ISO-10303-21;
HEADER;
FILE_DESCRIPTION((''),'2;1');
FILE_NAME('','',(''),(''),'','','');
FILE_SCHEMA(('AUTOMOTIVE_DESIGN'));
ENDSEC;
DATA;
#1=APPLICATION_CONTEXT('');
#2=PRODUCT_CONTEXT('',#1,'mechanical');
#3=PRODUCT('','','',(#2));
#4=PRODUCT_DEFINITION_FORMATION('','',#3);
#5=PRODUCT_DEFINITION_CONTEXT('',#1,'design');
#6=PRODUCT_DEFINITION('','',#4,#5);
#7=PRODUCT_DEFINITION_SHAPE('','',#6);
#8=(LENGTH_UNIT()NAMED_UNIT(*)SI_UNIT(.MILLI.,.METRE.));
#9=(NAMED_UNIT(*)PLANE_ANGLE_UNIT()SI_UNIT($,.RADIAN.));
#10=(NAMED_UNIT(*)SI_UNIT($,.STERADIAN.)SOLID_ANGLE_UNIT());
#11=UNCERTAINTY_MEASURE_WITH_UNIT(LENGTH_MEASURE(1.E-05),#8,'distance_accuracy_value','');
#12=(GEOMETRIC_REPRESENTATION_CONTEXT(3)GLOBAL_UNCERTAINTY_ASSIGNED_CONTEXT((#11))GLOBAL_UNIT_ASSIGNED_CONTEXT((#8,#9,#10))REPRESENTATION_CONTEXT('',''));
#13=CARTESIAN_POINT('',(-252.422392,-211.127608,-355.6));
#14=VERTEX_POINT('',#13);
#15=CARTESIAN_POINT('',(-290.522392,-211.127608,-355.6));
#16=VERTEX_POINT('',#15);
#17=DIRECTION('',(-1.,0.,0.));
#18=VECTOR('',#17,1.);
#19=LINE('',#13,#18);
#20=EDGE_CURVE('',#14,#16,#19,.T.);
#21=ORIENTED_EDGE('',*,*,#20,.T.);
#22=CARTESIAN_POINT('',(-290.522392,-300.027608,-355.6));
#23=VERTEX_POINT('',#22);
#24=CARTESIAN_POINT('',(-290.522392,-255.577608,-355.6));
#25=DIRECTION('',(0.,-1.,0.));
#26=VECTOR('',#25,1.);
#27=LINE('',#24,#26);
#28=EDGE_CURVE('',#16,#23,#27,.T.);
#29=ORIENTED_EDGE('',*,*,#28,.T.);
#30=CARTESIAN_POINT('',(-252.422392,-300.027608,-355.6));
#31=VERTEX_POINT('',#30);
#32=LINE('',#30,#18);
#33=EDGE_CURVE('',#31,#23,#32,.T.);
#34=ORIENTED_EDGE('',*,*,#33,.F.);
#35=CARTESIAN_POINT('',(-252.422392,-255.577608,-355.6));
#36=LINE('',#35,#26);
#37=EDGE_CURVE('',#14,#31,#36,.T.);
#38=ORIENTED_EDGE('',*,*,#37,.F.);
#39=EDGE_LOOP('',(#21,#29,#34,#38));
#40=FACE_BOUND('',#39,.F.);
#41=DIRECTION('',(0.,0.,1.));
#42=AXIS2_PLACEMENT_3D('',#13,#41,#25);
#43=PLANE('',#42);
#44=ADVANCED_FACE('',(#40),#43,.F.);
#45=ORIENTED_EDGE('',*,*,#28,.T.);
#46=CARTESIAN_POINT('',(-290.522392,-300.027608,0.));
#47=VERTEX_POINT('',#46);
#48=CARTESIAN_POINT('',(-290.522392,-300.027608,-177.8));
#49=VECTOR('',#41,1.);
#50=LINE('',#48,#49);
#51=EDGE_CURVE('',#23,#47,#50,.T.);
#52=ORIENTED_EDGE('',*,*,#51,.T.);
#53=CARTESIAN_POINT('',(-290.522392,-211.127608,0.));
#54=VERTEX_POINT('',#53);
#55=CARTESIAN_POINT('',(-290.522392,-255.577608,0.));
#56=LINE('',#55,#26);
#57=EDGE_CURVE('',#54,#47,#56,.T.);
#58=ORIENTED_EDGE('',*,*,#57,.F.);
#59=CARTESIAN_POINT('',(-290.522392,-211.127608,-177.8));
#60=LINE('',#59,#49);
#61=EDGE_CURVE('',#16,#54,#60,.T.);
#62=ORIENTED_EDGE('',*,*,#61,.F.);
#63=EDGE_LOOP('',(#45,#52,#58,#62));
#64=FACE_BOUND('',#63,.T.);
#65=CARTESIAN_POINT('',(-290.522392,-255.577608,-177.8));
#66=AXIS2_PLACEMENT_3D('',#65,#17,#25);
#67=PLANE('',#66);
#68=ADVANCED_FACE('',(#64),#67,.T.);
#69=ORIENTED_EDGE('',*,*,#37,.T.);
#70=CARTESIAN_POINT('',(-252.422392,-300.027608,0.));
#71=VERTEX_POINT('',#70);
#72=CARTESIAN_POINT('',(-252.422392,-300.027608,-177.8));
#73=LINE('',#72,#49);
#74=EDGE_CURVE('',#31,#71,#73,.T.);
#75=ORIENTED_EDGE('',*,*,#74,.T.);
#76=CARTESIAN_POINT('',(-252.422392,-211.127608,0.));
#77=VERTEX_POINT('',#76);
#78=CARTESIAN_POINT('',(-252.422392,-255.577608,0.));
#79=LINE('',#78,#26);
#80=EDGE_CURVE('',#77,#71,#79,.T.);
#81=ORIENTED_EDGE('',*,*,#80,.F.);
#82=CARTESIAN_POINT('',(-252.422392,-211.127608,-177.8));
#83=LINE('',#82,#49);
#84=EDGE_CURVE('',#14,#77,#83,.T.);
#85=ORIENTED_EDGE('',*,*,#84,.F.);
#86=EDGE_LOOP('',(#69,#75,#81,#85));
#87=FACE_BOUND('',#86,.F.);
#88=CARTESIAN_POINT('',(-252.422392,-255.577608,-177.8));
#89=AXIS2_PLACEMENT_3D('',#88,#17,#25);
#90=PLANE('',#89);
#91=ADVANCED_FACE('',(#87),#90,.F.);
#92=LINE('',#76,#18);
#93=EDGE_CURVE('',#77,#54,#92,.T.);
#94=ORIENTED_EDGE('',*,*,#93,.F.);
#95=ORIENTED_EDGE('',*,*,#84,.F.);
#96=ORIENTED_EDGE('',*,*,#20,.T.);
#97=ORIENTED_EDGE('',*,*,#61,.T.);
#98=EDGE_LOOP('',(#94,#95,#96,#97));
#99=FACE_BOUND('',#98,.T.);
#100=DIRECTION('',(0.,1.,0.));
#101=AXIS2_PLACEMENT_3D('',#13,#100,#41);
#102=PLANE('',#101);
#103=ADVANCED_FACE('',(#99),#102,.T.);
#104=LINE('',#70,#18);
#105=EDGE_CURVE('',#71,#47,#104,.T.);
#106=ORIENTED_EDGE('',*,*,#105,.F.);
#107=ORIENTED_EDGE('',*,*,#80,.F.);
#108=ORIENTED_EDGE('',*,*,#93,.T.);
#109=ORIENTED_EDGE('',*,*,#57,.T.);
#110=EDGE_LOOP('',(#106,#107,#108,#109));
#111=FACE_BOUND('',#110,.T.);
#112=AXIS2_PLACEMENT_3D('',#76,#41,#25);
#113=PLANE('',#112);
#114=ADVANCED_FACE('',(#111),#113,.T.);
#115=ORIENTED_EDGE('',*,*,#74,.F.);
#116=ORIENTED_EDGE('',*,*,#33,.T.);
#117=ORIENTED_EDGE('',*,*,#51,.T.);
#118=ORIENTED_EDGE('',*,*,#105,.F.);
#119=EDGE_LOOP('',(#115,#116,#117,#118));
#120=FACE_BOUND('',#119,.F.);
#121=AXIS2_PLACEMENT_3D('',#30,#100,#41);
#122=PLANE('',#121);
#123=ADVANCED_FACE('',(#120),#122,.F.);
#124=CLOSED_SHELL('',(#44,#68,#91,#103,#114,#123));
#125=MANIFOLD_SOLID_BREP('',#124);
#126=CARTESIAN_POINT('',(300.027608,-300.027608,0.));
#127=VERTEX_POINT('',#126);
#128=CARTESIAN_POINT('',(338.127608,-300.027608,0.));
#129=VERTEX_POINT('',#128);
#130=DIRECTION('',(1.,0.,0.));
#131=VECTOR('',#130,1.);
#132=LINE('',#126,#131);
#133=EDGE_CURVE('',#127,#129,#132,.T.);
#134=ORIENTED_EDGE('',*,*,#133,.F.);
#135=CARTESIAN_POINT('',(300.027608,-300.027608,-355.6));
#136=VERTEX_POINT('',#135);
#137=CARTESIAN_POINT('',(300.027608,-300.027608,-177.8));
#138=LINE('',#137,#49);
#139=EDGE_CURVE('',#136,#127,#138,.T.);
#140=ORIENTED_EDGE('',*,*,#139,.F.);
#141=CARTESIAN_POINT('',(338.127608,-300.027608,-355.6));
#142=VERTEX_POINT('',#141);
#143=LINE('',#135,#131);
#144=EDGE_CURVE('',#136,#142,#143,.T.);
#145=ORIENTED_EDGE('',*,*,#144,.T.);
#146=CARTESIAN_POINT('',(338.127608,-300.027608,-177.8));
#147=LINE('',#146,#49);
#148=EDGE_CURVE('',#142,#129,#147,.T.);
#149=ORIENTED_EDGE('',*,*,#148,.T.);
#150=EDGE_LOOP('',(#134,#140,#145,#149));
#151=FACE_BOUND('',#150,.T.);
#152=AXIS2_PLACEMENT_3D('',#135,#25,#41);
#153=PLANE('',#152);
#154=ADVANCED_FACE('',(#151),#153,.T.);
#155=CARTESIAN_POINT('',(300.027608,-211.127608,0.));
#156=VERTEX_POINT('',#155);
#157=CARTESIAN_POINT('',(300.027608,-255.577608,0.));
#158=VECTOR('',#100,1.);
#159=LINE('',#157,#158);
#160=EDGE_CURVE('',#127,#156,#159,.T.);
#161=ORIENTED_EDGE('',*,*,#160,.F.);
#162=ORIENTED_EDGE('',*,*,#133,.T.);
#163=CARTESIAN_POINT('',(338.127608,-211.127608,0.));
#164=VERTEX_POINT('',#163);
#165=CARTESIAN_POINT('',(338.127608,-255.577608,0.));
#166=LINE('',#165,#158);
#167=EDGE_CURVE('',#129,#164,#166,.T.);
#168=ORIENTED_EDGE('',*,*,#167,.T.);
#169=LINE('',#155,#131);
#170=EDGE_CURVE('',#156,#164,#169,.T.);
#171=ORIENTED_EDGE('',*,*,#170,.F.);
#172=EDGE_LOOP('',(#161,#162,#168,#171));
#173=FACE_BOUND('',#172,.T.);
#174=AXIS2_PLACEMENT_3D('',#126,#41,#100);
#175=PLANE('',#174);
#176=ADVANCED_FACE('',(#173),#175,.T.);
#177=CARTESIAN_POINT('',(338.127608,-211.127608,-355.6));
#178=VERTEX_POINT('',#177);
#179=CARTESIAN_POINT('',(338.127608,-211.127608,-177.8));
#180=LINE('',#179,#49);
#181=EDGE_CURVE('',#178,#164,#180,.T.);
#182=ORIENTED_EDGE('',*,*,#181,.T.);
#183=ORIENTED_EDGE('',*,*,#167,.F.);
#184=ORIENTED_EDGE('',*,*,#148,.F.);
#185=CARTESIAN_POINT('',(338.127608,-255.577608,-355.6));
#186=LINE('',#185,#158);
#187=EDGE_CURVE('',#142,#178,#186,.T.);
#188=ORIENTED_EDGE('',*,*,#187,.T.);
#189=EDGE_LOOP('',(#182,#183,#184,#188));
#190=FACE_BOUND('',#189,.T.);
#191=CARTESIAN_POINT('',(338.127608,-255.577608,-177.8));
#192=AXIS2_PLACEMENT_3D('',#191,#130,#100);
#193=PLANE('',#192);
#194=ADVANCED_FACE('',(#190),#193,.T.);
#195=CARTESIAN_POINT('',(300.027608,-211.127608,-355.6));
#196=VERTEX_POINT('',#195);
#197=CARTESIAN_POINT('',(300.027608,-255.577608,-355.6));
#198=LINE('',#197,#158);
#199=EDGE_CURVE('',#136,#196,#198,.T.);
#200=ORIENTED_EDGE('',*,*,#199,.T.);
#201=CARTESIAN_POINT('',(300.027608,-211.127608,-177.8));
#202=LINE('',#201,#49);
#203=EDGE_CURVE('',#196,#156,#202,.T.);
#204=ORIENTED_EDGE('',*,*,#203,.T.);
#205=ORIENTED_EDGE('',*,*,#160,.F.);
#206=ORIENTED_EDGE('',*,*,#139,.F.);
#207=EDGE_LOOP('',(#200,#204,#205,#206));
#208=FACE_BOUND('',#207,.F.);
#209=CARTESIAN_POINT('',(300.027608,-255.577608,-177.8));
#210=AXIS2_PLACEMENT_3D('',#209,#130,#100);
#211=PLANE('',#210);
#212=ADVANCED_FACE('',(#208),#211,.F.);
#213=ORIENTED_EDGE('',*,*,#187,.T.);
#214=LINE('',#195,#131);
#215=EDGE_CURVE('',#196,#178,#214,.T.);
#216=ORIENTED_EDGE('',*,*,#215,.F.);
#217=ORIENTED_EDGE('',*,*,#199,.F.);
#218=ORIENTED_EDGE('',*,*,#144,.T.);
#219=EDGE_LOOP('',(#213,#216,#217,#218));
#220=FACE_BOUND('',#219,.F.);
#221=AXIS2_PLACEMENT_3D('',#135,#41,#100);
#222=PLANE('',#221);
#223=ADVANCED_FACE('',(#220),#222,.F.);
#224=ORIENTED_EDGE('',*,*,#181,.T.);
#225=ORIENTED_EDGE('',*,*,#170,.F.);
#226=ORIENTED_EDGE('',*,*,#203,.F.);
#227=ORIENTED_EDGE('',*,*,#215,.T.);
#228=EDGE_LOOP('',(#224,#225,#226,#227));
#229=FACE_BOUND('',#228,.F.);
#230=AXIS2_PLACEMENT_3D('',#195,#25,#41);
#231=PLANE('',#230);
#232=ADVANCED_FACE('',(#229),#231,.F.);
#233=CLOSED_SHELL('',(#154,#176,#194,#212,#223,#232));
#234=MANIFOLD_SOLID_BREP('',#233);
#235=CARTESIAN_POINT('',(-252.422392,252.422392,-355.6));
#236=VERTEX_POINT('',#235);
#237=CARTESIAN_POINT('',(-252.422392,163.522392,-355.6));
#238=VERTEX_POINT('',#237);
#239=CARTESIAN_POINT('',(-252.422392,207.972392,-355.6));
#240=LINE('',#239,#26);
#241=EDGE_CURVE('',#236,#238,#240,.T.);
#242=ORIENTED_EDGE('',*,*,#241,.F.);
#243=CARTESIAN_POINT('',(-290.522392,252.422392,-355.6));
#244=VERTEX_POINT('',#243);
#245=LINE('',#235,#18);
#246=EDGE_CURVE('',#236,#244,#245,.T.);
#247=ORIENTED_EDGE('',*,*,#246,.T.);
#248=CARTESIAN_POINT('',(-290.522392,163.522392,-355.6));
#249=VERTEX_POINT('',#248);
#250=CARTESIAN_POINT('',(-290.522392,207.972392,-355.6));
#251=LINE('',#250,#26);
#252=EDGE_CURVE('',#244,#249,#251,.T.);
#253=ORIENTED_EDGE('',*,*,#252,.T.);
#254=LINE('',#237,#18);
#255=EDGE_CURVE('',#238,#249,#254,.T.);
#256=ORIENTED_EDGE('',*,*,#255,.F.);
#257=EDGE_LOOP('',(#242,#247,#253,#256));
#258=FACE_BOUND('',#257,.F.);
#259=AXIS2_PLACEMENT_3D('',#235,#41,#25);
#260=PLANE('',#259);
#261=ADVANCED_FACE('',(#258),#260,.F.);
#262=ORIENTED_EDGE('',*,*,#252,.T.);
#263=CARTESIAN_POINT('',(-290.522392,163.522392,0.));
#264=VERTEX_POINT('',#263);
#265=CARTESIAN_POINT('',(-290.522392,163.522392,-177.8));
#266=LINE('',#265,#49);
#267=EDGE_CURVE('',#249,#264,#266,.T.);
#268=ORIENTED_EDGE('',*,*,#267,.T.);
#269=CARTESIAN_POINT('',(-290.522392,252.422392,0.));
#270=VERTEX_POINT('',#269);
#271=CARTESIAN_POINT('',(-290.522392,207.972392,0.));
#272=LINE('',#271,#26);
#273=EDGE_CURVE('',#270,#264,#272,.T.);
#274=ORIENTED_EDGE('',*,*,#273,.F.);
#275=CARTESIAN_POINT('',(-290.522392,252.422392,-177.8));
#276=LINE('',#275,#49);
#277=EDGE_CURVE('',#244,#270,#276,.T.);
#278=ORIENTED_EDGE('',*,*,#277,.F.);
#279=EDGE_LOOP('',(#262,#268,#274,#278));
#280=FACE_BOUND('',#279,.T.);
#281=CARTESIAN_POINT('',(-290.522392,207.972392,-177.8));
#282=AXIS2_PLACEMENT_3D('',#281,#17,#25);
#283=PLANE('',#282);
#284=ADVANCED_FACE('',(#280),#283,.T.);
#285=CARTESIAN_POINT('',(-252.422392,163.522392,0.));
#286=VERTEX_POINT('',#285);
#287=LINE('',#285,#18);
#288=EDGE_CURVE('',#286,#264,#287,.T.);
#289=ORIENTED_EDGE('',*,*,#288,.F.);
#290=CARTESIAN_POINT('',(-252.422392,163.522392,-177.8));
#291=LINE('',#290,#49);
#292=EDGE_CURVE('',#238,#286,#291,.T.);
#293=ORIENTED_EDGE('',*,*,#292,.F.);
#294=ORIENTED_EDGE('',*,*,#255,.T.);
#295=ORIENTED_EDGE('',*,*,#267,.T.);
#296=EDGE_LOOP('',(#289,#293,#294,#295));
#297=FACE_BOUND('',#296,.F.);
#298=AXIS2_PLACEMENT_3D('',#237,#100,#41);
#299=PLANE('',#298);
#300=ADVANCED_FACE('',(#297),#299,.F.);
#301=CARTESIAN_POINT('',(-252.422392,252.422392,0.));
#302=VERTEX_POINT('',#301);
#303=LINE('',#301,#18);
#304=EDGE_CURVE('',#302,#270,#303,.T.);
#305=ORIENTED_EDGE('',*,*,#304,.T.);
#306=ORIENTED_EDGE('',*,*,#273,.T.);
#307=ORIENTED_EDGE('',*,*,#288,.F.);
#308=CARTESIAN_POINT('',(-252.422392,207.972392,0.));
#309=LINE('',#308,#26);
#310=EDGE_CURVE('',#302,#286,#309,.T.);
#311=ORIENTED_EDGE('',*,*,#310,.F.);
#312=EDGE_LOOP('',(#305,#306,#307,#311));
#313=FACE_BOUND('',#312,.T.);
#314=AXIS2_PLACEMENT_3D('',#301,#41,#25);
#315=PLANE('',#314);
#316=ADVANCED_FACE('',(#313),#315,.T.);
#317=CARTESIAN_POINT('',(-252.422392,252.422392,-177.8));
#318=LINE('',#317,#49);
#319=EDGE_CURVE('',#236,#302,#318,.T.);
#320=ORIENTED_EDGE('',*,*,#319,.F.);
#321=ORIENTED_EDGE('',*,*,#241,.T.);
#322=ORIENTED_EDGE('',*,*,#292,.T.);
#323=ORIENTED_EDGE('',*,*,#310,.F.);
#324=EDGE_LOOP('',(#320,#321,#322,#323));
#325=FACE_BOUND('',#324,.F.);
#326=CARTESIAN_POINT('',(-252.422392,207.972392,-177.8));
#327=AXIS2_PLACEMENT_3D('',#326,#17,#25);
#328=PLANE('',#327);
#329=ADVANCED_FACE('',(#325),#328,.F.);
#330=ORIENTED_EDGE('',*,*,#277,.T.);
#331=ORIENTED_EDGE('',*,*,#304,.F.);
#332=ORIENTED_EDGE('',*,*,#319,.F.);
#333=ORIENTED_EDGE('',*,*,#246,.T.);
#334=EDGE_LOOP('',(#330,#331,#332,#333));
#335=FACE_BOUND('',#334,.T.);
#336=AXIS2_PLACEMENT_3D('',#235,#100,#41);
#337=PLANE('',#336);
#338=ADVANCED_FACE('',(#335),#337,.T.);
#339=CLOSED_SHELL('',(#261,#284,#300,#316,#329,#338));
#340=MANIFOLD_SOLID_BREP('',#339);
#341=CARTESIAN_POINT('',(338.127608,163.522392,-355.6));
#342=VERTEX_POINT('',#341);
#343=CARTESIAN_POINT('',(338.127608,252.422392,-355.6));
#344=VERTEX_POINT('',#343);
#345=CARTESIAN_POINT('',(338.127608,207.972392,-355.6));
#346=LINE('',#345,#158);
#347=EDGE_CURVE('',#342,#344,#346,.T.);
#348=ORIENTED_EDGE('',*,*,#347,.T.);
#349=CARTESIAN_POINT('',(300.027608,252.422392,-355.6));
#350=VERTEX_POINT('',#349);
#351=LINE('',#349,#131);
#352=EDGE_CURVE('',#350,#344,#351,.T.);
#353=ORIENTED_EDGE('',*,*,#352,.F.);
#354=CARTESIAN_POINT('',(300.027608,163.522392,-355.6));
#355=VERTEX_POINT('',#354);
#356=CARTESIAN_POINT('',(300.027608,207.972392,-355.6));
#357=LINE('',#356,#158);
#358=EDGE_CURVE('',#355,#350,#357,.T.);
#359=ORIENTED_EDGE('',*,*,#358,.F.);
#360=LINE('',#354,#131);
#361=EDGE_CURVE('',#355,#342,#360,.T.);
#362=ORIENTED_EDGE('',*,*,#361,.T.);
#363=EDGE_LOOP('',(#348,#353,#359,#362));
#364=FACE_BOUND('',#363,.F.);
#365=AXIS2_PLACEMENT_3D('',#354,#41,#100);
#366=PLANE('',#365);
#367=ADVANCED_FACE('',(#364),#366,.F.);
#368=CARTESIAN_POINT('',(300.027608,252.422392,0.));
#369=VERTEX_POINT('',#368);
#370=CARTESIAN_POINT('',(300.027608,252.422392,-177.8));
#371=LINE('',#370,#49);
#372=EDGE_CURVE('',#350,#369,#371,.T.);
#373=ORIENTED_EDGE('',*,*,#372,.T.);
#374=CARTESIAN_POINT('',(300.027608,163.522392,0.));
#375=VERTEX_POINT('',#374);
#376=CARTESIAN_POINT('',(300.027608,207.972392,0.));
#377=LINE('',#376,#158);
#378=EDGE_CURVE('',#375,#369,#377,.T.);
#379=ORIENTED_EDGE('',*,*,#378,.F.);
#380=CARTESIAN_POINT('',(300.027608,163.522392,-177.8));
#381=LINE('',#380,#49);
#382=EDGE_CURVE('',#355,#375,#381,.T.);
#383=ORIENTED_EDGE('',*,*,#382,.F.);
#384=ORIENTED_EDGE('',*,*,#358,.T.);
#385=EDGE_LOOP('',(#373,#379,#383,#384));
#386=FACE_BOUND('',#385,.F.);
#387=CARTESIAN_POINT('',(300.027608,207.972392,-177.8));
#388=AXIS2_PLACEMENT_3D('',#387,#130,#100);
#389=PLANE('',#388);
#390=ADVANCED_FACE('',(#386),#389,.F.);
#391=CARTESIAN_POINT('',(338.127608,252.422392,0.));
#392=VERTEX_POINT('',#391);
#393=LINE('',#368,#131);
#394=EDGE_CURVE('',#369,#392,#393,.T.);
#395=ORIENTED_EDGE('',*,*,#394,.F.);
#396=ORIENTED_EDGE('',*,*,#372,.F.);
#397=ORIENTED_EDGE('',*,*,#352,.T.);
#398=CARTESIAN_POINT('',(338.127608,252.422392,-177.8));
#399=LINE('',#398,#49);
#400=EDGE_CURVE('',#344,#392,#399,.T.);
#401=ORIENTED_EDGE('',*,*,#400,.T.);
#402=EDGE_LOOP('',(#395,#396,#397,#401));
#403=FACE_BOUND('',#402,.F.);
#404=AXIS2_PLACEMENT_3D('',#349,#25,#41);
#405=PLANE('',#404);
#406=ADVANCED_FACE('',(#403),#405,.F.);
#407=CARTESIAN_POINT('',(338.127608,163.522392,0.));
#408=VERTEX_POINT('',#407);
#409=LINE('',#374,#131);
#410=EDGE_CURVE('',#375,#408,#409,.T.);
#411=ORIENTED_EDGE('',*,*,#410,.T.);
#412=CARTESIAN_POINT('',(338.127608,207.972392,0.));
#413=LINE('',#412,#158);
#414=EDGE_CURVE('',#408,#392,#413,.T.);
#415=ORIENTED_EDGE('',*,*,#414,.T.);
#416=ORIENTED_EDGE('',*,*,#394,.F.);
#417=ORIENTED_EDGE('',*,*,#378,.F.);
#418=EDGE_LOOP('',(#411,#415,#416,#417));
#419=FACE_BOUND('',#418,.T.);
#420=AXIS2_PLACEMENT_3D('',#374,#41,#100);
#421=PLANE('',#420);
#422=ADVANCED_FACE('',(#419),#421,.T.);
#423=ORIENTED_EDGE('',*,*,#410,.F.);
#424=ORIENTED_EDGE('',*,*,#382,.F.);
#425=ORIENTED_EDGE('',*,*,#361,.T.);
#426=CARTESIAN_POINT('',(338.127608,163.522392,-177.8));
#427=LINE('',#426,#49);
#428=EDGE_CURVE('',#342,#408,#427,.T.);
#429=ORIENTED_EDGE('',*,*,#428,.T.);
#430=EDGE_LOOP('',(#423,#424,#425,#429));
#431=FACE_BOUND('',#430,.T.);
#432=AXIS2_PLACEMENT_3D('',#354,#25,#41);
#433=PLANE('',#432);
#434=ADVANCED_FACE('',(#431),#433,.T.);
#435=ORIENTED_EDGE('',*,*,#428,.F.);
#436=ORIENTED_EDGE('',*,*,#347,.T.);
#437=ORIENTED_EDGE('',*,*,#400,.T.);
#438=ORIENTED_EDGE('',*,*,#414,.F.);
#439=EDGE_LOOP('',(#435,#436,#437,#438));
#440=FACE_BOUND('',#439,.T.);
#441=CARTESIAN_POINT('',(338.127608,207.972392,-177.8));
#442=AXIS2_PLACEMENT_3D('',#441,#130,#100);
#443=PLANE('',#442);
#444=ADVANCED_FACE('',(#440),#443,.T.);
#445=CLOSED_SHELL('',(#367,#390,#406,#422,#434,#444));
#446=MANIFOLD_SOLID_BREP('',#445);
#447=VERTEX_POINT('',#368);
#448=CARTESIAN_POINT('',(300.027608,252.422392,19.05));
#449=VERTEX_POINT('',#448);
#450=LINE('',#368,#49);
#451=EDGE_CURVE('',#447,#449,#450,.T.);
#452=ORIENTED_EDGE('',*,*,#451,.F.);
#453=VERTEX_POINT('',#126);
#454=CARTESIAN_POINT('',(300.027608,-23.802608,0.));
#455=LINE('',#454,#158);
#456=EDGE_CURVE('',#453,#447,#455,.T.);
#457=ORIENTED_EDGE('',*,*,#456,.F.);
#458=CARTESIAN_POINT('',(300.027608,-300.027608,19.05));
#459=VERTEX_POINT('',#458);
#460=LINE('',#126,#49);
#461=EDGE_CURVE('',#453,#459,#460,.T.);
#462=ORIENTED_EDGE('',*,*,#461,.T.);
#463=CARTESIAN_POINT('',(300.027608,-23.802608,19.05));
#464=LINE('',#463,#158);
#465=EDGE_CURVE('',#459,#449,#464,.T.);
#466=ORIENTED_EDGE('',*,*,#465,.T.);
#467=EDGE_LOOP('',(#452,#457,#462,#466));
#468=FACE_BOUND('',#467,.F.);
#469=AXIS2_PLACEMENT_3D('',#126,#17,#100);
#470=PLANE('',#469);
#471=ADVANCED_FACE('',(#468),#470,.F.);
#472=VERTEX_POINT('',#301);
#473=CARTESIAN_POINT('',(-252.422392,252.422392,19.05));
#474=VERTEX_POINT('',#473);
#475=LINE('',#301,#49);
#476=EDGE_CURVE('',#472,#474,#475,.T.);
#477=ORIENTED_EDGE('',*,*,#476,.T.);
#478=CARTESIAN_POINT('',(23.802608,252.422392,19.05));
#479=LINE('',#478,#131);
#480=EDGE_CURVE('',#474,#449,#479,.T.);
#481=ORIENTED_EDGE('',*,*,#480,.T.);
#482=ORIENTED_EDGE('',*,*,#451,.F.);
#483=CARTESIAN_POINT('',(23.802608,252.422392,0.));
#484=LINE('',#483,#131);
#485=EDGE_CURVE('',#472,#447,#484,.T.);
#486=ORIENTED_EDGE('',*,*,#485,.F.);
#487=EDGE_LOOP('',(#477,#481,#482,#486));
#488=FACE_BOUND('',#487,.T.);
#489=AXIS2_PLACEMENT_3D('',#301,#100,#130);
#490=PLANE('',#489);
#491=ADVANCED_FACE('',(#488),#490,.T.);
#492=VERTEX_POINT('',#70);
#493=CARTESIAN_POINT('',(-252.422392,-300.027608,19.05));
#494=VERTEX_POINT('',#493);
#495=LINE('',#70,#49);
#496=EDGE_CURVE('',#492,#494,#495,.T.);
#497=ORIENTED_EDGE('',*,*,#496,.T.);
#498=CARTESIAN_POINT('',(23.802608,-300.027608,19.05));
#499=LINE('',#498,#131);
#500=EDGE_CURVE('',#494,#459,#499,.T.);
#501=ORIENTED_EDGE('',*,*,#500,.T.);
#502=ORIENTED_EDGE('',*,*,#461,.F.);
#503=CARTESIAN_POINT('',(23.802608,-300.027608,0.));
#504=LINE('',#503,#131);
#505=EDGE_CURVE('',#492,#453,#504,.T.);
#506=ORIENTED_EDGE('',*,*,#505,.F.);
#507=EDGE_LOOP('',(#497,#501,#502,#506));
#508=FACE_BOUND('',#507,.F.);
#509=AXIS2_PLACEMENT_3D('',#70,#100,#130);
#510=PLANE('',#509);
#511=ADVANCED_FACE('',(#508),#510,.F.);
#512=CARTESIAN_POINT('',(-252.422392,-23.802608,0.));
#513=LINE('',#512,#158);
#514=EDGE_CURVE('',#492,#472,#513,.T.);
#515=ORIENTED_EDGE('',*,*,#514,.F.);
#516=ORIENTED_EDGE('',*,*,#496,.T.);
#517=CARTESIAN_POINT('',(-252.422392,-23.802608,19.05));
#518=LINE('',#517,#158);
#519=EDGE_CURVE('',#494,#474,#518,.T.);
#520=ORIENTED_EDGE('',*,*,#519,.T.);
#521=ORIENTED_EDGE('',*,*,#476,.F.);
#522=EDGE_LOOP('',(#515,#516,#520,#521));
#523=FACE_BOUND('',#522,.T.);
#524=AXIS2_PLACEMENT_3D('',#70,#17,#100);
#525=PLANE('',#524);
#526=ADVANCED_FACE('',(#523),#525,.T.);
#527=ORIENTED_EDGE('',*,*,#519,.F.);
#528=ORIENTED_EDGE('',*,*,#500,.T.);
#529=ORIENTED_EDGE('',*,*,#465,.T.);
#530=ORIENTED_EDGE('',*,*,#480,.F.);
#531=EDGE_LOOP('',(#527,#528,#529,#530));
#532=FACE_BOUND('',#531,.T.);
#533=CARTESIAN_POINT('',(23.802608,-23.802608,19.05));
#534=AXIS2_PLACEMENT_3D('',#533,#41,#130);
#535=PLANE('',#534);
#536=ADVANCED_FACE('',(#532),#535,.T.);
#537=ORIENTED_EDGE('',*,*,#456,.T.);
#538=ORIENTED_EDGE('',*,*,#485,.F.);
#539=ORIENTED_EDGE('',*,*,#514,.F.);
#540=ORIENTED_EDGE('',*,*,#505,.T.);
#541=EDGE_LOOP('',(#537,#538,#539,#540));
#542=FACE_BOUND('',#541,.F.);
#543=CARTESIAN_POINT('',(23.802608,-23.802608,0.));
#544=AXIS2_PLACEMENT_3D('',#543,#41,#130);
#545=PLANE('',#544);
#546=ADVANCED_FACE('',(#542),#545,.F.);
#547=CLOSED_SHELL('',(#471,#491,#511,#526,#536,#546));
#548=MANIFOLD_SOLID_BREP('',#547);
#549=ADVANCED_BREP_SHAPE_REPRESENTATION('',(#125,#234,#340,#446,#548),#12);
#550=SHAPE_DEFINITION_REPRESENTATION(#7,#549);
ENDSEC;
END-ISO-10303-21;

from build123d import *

# Parameters (mm, degrees)
F0_W     = 552.45
F0_H     = 552.45
F1_DEPTH = 19.05
F2_W     = 88.9
F2_H     = 355.6
F3_DEPTH = 38.1
F4_W     = 88.9
F4_H     = 355.6
F5_DEPTH = 38.1


with BuildPart() as f1:
    # F0 (on Top) → F1 (new body)
    with BuildSketch(Plane.XY):
        with Locations((23.802608, -23.802608)):
            Rectangle(F0_W, F0_H)
    extrude(amount=F1_DEPTH)


with BuildPart() as f3:
    # F2 (on face) → F3 (new body)
    with BuildSketch(Plane.YZ.offset(300.027608)):
        with Locations((-255.577608, -177.8)):
            Rectangle(F2_W, F2_H)
        with Locations((207.972392, -177.8)):
            Rectangle(F2_W, F2_H)
    extrude(amount=F3_DEPTH)


with BuildPart() as f5:
    # F4 (on face) → F5 (new body)
    with BuildSketch(Plane(origin=(-252.422392, 0, 0), x_dir=(0, -1, 0), z_dir=(-1, 0, 0))):
        with Locations((-207.972392, -177.8)):
            Rectangle(F4_W, F4_H)
        with Locations((255.577608, -177.8)):
            Rectangle(F4_W, F4_H)
    extrude(amount=F5_DEPTH)


solid = Compound([f1.part, f3.part, f5.part])
